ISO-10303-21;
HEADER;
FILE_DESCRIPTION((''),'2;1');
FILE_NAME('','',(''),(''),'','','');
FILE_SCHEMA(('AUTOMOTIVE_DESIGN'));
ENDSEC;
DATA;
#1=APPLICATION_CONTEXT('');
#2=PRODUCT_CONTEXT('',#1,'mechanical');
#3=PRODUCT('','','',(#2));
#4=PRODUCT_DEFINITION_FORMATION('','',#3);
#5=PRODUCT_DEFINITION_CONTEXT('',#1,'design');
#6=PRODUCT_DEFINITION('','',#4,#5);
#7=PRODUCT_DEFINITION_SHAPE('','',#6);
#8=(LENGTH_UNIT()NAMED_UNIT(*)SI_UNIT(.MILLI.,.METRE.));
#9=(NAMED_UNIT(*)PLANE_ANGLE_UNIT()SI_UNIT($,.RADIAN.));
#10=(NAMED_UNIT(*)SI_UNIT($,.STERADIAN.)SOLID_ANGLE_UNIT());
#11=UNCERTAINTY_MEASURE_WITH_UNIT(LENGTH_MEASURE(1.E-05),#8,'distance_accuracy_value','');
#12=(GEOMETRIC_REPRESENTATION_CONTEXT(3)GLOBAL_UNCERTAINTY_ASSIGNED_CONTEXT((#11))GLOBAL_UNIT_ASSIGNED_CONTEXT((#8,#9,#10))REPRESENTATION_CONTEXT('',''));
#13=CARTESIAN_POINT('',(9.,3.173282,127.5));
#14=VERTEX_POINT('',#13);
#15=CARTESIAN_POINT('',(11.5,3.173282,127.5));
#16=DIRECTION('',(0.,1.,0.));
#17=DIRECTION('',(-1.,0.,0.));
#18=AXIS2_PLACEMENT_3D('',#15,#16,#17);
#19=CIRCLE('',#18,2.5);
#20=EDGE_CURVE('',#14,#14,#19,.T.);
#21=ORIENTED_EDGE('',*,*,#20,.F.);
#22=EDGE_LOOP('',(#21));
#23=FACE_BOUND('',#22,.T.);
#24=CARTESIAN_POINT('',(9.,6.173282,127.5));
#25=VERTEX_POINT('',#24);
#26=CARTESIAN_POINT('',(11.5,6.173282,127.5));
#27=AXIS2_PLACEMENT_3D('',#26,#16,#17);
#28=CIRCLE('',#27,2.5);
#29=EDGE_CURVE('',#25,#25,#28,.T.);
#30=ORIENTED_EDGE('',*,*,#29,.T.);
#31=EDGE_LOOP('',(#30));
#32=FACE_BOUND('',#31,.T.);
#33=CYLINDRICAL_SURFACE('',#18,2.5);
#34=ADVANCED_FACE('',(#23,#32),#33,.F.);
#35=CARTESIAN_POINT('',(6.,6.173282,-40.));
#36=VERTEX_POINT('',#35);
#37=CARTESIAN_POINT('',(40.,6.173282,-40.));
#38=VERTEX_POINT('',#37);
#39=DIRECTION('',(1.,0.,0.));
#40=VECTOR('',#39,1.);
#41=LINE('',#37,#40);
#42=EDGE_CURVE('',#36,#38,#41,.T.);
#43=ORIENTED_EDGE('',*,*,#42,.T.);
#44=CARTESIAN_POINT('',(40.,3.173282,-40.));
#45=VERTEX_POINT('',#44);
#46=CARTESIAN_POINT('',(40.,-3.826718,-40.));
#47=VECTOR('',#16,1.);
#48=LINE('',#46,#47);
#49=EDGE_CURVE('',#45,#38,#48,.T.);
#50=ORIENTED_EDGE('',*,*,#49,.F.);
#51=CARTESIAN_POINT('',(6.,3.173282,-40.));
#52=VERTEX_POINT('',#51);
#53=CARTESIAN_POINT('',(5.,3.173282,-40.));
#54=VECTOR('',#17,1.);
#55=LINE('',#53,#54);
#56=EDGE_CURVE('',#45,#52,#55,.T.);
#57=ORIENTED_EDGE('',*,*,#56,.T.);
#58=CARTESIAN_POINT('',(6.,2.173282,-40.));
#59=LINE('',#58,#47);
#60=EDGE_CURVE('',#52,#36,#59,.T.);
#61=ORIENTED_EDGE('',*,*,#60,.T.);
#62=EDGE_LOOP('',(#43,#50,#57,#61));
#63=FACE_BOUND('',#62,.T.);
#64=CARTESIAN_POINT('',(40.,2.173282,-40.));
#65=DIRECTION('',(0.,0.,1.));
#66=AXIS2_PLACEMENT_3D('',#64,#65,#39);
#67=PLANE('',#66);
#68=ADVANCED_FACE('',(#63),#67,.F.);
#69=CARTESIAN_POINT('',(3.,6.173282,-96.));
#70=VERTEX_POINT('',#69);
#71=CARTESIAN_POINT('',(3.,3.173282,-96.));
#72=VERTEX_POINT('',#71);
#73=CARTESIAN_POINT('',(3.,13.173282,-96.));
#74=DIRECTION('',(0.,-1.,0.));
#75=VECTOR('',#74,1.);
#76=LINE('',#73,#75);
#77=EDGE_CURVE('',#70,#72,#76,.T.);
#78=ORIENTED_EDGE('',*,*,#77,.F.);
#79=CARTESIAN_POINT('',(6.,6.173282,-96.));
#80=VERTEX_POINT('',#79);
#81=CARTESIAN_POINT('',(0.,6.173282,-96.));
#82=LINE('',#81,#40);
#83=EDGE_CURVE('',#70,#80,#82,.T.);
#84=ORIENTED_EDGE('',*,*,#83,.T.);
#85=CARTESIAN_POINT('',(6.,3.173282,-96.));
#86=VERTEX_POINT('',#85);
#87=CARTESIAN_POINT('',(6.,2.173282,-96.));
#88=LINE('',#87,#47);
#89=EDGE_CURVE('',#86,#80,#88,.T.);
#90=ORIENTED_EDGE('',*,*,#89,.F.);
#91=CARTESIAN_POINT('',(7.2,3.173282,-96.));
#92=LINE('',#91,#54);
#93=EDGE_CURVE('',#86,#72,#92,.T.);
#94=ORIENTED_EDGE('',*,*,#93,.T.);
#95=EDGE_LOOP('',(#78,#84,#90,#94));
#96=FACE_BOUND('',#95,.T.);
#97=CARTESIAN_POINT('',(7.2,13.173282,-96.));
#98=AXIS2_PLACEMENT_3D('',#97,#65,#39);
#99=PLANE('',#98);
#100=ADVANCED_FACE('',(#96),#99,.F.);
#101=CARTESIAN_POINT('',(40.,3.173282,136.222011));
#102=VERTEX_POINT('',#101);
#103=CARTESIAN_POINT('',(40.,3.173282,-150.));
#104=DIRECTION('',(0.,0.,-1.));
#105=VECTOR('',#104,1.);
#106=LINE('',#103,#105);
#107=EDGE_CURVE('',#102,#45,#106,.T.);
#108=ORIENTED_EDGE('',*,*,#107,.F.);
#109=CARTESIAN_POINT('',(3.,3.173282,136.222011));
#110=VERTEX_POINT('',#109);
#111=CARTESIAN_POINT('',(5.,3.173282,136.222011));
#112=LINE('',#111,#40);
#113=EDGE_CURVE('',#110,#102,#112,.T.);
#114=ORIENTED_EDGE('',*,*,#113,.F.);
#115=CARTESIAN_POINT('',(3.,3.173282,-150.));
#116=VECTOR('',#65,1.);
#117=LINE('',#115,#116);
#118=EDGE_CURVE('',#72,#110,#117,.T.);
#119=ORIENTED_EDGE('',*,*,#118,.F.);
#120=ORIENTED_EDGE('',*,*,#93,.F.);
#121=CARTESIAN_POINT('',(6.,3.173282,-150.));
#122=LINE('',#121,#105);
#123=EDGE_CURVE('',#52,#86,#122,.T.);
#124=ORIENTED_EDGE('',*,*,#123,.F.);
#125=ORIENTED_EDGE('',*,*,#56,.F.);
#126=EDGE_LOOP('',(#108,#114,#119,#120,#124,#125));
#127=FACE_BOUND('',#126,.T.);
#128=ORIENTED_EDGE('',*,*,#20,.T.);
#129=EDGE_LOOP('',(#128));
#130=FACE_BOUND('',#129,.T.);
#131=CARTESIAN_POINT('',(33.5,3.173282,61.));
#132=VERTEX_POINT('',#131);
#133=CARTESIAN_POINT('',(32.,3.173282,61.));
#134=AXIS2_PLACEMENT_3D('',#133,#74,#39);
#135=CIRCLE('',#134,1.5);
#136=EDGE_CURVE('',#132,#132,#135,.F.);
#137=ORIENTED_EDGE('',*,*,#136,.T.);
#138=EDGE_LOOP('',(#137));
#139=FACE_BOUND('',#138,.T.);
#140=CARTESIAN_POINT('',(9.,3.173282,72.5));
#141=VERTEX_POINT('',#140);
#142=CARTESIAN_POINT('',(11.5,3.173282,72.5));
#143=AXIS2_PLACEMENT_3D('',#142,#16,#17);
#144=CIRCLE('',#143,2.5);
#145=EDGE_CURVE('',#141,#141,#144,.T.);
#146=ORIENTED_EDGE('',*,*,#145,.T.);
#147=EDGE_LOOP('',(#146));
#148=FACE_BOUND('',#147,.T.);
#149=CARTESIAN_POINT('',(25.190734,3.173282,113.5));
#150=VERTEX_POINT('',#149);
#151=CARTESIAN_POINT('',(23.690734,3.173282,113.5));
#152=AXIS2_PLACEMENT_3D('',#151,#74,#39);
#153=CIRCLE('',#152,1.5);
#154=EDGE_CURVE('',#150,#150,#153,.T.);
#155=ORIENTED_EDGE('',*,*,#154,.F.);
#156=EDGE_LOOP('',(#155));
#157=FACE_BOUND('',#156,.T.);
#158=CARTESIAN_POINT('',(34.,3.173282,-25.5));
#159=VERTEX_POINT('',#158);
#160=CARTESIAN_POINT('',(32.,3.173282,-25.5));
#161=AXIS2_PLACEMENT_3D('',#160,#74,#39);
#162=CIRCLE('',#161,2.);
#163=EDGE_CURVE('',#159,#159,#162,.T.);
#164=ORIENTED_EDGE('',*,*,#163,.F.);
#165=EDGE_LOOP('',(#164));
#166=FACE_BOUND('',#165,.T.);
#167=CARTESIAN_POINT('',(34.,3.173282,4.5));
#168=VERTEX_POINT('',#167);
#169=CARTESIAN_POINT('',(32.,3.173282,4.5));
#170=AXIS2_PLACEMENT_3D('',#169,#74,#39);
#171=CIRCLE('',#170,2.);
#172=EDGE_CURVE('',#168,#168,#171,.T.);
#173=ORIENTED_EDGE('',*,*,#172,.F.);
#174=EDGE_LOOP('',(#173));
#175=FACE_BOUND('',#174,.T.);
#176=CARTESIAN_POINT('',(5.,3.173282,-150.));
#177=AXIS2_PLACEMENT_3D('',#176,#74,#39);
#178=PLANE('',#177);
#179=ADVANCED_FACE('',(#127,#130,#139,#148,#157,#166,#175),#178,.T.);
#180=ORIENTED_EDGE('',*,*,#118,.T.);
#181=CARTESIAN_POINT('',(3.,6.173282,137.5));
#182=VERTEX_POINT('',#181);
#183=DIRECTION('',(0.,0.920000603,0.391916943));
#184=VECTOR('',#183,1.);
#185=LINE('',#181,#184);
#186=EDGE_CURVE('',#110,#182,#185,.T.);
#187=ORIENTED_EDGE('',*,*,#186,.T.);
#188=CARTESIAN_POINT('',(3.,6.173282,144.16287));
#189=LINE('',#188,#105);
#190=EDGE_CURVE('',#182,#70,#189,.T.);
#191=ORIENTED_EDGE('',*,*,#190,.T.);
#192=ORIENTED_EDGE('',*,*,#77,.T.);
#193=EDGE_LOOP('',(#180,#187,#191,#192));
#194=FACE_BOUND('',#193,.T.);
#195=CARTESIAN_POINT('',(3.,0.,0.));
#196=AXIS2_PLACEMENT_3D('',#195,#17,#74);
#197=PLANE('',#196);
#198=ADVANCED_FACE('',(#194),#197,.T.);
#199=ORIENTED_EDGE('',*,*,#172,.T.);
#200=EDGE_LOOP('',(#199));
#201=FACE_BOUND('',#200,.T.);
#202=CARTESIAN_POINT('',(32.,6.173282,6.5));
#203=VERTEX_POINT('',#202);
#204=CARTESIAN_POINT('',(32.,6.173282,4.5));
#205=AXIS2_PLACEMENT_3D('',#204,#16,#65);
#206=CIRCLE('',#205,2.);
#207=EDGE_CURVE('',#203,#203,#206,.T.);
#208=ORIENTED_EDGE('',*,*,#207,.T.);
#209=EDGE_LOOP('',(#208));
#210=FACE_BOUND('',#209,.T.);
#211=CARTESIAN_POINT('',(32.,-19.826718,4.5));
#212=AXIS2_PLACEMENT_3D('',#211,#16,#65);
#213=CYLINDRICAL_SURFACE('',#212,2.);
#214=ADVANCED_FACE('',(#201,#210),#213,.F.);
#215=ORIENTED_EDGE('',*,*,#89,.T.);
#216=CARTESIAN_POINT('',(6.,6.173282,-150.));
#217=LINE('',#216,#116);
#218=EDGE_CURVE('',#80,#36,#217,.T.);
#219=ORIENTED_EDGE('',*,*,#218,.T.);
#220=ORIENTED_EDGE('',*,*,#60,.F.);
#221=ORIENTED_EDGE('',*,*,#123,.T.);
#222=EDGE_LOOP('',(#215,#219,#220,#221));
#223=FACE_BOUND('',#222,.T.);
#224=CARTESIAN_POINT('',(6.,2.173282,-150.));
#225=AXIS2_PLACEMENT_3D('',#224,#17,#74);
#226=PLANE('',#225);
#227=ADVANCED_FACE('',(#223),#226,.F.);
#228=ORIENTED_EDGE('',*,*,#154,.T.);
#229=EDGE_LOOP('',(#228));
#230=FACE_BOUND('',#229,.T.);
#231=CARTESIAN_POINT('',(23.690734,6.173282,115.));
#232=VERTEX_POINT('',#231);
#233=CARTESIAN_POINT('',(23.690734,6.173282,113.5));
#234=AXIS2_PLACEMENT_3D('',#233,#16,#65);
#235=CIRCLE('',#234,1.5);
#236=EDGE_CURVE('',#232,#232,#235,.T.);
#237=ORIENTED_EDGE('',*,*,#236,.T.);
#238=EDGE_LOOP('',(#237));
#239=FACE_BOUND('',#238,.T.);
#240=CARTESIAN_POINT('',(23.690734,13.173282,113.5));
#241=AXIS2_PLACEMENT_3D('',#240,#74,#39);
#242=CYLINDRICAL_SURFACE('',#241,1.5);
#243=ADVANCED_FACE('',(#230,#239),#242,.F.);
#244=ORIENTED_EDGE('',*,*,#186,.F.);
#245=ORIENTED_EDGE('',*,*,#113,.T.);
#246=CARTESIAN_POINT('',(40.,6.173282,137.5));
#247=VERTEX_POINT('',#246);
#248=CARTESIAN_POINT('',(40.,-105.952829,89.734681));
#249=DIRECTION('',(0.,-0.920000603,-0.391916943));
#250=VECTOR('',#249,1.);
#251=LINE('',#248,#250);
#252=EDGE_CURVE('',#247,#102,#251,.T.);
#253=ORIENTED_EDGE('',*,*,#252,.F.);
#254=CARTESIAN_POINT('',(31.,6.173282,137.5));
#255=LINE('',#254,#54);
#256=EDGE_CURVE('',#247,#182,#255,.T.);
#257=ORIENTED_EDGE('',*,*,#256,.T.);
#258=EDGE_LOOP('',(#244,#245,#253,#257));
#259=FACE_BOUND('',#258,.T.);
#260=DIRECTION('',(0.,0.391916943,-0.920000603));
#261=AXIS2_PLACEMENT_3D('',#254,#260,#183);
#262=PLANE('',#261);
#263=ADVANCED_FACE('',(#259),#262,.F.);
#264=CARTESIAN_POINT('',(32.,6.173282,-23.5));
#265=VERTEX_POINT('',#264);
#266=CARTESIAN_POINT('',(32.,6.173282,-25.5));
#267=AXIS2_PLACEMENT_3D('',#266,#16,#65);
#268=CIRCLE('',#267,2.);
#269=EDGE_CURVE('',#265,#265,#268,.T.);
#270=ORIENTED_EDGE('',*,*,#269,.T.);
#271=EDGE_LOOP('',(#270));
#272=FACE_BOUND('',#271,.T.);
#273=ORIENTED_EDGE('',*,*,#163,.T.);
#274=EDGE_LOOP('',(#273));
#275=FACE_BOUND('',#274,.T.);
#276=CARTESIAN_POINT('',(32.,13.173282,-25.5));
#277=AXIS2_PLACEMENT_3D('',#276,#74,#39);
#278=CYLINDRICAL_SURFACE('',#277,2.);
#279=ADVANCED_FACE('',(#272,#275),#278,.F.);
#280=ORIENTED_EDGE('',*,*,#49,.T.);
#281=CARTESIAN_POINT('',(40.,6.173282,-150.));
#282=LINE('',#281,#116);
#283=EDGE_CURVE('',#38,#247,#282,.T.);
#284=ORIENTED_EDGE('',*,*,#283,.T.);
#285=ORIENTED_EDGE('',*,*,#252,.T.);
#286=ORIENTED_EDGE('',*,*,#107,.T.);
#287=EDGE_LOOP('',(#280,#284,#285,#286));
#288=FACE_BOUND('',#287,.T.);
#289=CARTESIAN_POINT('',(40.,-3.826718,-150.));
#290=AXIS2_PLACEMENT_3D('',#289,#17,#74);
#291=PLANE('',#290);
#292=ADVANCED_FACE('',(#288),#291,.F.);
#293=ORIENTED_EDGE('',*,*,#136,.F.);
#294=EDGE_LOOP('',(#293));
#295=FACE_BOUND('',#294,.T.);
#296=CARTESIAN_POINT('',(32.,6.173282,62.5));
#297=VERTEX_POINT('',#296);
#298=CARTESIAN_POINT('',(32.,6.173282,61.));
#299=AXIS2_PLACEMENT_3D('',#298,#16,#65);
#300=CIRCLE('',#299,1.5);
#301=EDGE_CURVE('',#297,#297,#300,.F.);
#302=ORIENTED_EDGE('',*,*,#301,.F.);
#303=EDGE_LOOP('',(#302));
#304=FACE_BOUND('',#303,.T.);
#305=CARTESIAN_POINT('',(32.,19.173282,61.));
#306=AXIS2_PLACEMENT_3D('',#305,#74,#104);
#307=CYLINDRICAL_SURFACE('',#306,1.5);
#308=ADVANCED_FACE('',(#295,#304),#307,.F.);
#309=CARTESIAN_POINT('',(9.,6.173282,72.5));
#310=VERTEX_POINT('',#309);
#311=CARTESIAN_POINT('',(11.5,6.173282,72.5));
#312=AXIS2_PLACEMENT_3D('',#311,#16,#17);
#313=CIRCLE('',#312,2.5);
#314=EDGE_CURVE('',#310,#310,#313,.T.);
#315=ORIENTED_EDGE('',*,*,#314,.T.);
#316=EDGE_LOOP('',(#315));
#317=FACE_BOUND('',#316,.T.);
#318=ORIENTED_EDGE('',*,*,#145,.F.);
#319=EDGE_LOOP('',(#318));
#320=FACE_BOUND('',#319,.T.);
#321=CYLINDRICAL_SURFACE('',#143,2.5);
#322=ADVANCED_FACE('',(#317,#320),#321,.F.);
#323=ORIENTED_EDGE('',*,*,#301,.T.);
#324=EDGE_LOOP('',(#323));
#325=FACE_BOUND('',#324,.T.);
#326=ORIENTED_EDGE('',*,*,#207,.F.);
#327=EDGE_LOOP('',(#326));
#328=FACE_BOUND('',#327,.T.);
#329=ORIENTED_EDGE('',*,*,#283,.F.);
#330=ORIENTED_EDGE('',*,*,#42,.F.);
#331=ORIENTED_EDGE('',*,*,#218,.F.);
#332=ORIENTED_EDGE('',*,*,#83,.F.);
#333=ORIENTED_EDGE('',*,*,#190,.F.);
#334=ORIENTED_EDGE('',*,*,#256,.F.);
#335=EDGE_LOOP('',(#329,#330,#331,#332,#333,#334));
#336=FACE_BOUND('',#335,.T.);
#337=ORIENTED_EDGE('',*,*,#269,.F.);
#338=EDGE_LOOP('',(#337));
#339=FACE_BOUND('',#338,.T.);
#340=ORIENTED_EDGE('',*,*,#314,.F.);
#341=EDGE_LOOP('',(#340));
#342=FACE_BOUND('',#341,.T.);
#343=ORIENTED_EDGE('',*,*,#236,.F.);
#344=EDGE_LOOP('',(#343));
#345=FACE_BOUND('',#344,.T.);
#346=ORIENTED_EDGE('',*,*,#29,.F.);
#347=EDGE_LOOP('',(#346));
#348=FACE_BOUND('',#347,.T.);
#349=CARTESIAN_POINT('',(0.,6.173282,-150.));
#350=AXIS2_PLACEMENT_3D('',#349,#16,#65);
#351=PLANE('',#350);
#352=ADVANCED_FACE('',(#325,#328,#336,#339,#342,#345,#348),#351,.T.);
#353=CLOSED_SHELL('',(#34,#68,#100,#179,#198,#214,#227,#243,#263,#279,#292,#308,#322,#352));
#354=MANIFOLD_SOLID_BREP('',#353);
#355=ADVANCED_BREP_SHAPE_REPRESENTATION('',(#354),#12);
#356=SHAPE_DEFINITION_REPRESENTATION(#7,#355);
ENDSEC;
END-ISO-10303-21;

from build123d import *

# Parameters (mm, degrees)
EXTRUDE_1_DEPTH           = 150
EXTRUDE_1_DEPTH_BACK      = 150
SKETCH_4_R                = 2.5
CUT_EXTRUDE_4_DEPTH       = 3
SKETCH_5_W                = 52
SKETCH_5_H                = 100
CUT_EXTRUDE_5_DEPTH       = 3
SKETCH_7_R                = 1.6
SKETCH_7_R_2              = 6.5
CUT_EXTRUDE_9_DEPTH       = 185.063533313
SKETCH_6_W                = 40
SKETCH_6_H                = 200
CUT_EXTRUDE_10_DEPTH      = 10
CUT_EXTRUDE_12_DEPTH      = 4
SKETCH_12_W               = 34
SKETCH_12_H               = 110
CUT_EXTRUDE_13_DEPTH      = 4
SKETCH_14_W               = 4.2
SKETCH_14_H               = 14
CUT_EXTRUDE_14_DEPTH      = 10
SKETCH_15_R               = 2
CUT_EXTRUDE_15_DEPTH      = 26
SKETCH_17_R               = 1.5
CUT_EXTRUDE_19_DEPTH      = 10
CUT_EXTRUDE_20_DEPTH      = 10
CUT_EXTRUDE_21_DEPTH      = 31
SKETCH_22_R               = 1.5
CUT_EXTRUDE_22_DEPTH      = 31
SKETCH_23_W               = 12
SKETCH_23_H               = 87.5
EXTRUDE_3_DEPTH           = 3
CUT_EXTRUDE_23_DEPTH      = 18
CUT_EXTRUDE_24_DEPTH      = 13
CUT_EXTRUDE_24_DEPTH_BACK = 4
SKETCH_25_R               = 1.5
SKETCH_26_R               = 2
CUT_EXTRUDE_25_DEPTH      = 10
CUT_EXTRUDE_29_DEPTH      = 10
CUT_EXTRUDE_30_DEPTH      = 3
SKETCH_34_W               = 3
SKETCH_34_H               = 40
CUT_EXTRUDE_31_DEPTH      = 10


with BuildPart() as part:
    # 草图1 → 凸台-拉伸1 (new, two sides: drawn at the far end of the back side and taken through both)
    with BuildSketch(Plane.XY.offset(-EXTRUDE_1_DEPTH_BACK)):
        Polygon((0, 4.173281966), (0, -73.826718034), (3, -73.826718034), (3, 1.173281966), (3, 3.173281966), (5, 3.173281966), (80, 3.173281966), (80, 6.173281966), (2, 6.173281966), (0, 6.173281966), align=None)
    extrude(amount=EXTRUDE_1_DEPTH + EXTRUDE_1_DEPTH_BACK)

    # 草图4 → 切除-拉伸4 (cut)
    with BuildSketch(Plane(origin=(0, 6.173281966, 0), x_dir=(1, 0, 0), z_dir=(0, 1, 0))):
        with Locations(Location((11.5, -72.5, 0), (0, 0, 180))):
            Circle(SKETCH_4_R)
        with Locations(Location((11.5, -127.5, 0), (0, 0, 180))):
            Circle(SKETCH_4_R)
    extrude(amount=-CUT_EXTRUDE_4_DEPTH, mode=Mode.SUBTRACT)

    # 草图5 → 切除-拉伸5 (cut)
    with BuildSketch(Plane(origin=(0, 6.173281966, 0), x_dir=(1, 0, 0), z_dir=(0, 1, 0))):
        with Locations((54, -100)):
            Rectangle(SKETCH_5_W, SKETCH_5_H)
    extrude(amount=-CUT_EXTRUDE_5_DEPTH, mode=Mode.SUBTRACT)

    # 草图7 → 切除-拉伸9 (cut, through all)
    with BuildSketch(Plane(origin=(3, 0, 0), x_dir=(0, 0, -1), z_dir=(1, 0, 0))):
        with Locations(Location((-54.5, -43.826718034, 0), (0, 0, 90))):
            Circle(SKETCH_7_R)
        with Locations(Location((-62.25, -30.403324275, 0), (0, 0, 90))):
            Circle(SKETCH_7_R)
        with Locations(Location((-62.25, -57.250111793, 0), (0, 0, 90))):
            Circle(SKETCH_7_R)
        with Locations(Location((-77.75, -30.403324275, 0), (0, 0, 90))):
            Circle(SKETCH_7_R)
        with Locations(Location((-77.75, -57.250111793, 0), (0, 0, 90))):
            Circle(SKETCH_7_R)
        with Locations(Location((-85.5, -43.826718034, 0), (0, 0, 90))):
            Circle(SKETCH_7_R)
        with Locations(Location((115.5, -43.826718034, 0), (0, 0, 90))):
            Circle(SKETCH_7_R)
        with Locations(Location((107.75, -30.403324275, 0), (0, 0, 90))):
            Circle(SKETCH_7_R)
        with Locations(Location((107.75, -57.250111793, 0), (0, 0, 90))):
            Circle(SKETCH_7_R)
        with Locations(Location((92.25, -30.403324275, 0), (0, 0, 90))):
            Circle(SKETCH_7_R)
        with Locations(Location((92.25, -57.250111793, 0), (0, 0, 90))):
            Circle(SKETCH_7_R)
        with Locations(Location((84.5, -43.826718034, 0), (0, 0, 90))):
            Circle(SKETCH_7_R)
        with Locations(Location((-70, -50.826718034, 0), (0, 0, 90))):
            Circle(SKETCH_7_R_2)
        with Locations(Location((100, -50.826718034, 0), (0, 0, 90))):
            Circle(SKETCH_7_R_2)
    extrude(amount=-CUT_EXTRUDE_9_DEPTH, mode=Mode.SUBTRACT)

    # 草图6 → 切除-拉伸10 (cut)
    with BuildSketch(Plane(origin=(0, 6.173281966, 0), x_dir=(1, 0, 0), z_dir=(0, 1, 0))):
        with Locations((60, 50)):
            Rectangle(SKETCH_6_W, SKETCH_6_H)
    extrude(amount=-CUT_EXTRUDE_10_DEPTH, mode=Mode.SUBTRACT)

    # 草图11 → 切除-拉伸12 (cut)
    with BuildSketch(Plane.ZY):
        Polygon((-128.345117246, -73.826718034), (-150, -73.826718034), (-150, 3.173281966), align=None)
    extrude(amount=-CUT_EXTRUDE_12_DEPTH, mode=Mode.SUBTRACT)

    # 草图12 → 切除-拉伸13 (cut)
    with BuildSketch(Plane(origin=(0, 6.173281966, 0), x_dir=(1, 0, 0), z_dir=(0, 1, 0))):
        with Locations((23, 95)):
            Rectangle(SKETCH_12_W, SKETCH_12_H)
    extrude(amount=-CUT_EXTRUDE_13_DEPTH, mode=Mode.SUBTRACT)

    # 草图14 → 切除-拉伸14 (cut)
    with BuildSketch(Plane.XZ.offset(-3.173281966)):
        with Locations((5.1, -103)):
            Rectangle(SKETCH_14_W, SKETCH_14_H)
    extrude(amount=-CUT_EXTRUDE_14_DEPTH, mode=Mode.SUBTRACT)

    # 草图15 → 切除-拉伸15 (cut)
    with BuildSketch(Plane(origin=(0, 6.173281966, 0), x_dir=(1, 0, 0), z_dir=(0, 1, 0))):
        with Locations(Location((32, -4.5, 0), (0, 0, 270))):
            Circle(SKETCH_15_R)
    extrude(amount=-CUT_EXTRUDE_15_DEPTH, mode=Mode.SUBTRACT)

    # 草图17 → 切除-拉伸19 (cut)
    with BuildSketch(Plane.XZ.offset(-3.173281966)):
        with Locations((23.690733746, 113.5)):
            Circle(SKETCH_17_R)
    extrude(amount=-CUT_EXTRUDE_19_DEPTH, mode=Mode.SUBTRACT)

    # 草图18 → 切除-拉伸20 (cut)
    with BuildSketch(Plane.ZY):
        Polygon((150, -73.826718034), (118.550084008, -73.826718034), (150, 0), align=None)
    extrude(amount=-CUT_EXTRUDE_20_DEPTH, mode=Mode.SUBTRACT)

    # 草图21 → 切除-拉伸21 (cut)
    with BuildSketch(Plane.ZY):
        Polygon((118.550084008, -73.826718034), (150, 0), (150, 6.173281966), (137.5, 6.173281966), (132.072189672, -6.568164552), (98.550084008, -73.826718034), align=None)
    extrude(amount=-CUT_EXTRUDE_21_DEPTH, mode=Mode.SUBTRACT)

    # 草图22 → 切除-拉伸22 (cut)
    with BuildSketch(Plane.ZY):
        with Locations(Location((-106, 3.173281966, 0), (0, 0, 270))):
            Circle(SKETCH_22_R)
        with Locations(Location((-100, 3.173281966, 0), (0, 0, 270))):
            Circle(SKETCH_22_R)
        with Locations(Location((-106, -1.826718034, 0), (0, 0, 270))):
            Circle(SKETCH_22_R)
        with Locations(Location((-100, -1.826718034, 0), (0, 0, 270))):
            Circle(SKETCH_22_R)
    extrude(amount=-CUT_EXTRUDE_22_DEPTH, mode=Mode.SUBTRACT)

    # 草图23 → 凸台-拉伸3 (add)
    with BuildSketch(Plane(origin=(0, 6.173281966, 0), x_dir=(1, 0, 0), z_dir=(0, 1, 0))):
        with Locations((34, -93.75)):
            Rectangle(SKETCH_23_W, SKETCH_23_H)
    extrude(amount=-EXTRUDE_3_DEPTH)

    # 草图24 → 切除-拉伸23 (cut)
    with BuildSketch(Plane.ZY.offset(-28)):
        Polygon((137.5, 6.173281966), (137.5, 3.173281966), (136.222010805, 3.173281966), align=None)
    extrude(amount=-CUT_EXTRUDE_23_DEPTH, mode=Mode.SUBTRACT)

    # 草图25 → 切除-拉伸24 (cut, two sides: drawn at the far end of the back side and taken through both)
    with BuildSketch(Plane(origin=(0, 6.173281966, 0), x_dir=(1, 0, 0), z_dir=(0, 1, 0)).offset(-CUT_EXTRUDE_24_DEPTH_BACK)):
        with Locations((32, -61)):
            Circle(SKETCH_25_R)
    extrude(amount=CUT_EXTRUDE_24_DEPTH + CUT_EXTRUDE_24_DEPTH_BACK, mode=Mode.SUBTRACT)

    # 草图26 → 切除-拉伸25 (cut)
    with BuildSketch(Plane.XZ.offset(-3.173281966)):
        with Locations((32, -25.5)):
            Circle(SKETCH_26_R)
    extrude(amount=-CUT_EXTRUDE_25_DEPTH, mode=Mode.SUBTRACT)

    # 草图31 → 切除-拉伸29 (cut)
    with BuildSketch(Plane(origin=(3, 0, 0), x_dir=(0, 0, -1), z_dir=(1, 0, 0))):
        Polygon((-38.550084008, -73.826718034), (-10.102483381, -23.826718034), (39.897516619, -23.826718034), (68.345117246, -73.826718034), align=None)
    extrude(amount=-CUT_EXTRUDE_29_DEPTH, mode=Mode.SUBTRACT)

    # 草图33 → 切除-拉伸30 (cut)
    with BuildSketch(Plane.ZY):
        Polygon((-150, 6.173281966), (-150, -87.897987577), (142.92942198, -91.593646071), (144.162869872, 6.173281966), align=None)
    extrude(amount=-CUT_EXTRUDE_30_DEPTH, mode=Mode.SUBTRACT)


with BuildPart() as cut_extrude_30_piece_1:
    # of the separate pieces the step leaves, piece 1, a body of its own (cut_extrude_30_pieces)
    add(part.part.solids().sort_by_distance((3, 3.173281966, 136.222010805))[0])


with BuildPart() as cut_extrude_30_piece_2:
    # of the separate pieces the step leaves, piece 2, a body of its own (cut_extrude_30_pieces)
    add(part.part.solids().sort_by_distance((6, 6.173281966, -110))[0])

    # 草图34 → 切除-拉伸31 (cut)
    with BuildSketch(Plane(origin=(0, 6.173281966, 0), x_dir=(1, 0, 0), z_dir=(0, 1, 0))):
        with Locations((4.5, 130)):
            Rectangle(SKETCH_34_W, SKETCH_34_H)
    extrude(amount=-CUT_EXTRUDE_31_DEPTH, mode=Mode.SUBTRACT)


solid = cut_extrude_30_piece_1.part
